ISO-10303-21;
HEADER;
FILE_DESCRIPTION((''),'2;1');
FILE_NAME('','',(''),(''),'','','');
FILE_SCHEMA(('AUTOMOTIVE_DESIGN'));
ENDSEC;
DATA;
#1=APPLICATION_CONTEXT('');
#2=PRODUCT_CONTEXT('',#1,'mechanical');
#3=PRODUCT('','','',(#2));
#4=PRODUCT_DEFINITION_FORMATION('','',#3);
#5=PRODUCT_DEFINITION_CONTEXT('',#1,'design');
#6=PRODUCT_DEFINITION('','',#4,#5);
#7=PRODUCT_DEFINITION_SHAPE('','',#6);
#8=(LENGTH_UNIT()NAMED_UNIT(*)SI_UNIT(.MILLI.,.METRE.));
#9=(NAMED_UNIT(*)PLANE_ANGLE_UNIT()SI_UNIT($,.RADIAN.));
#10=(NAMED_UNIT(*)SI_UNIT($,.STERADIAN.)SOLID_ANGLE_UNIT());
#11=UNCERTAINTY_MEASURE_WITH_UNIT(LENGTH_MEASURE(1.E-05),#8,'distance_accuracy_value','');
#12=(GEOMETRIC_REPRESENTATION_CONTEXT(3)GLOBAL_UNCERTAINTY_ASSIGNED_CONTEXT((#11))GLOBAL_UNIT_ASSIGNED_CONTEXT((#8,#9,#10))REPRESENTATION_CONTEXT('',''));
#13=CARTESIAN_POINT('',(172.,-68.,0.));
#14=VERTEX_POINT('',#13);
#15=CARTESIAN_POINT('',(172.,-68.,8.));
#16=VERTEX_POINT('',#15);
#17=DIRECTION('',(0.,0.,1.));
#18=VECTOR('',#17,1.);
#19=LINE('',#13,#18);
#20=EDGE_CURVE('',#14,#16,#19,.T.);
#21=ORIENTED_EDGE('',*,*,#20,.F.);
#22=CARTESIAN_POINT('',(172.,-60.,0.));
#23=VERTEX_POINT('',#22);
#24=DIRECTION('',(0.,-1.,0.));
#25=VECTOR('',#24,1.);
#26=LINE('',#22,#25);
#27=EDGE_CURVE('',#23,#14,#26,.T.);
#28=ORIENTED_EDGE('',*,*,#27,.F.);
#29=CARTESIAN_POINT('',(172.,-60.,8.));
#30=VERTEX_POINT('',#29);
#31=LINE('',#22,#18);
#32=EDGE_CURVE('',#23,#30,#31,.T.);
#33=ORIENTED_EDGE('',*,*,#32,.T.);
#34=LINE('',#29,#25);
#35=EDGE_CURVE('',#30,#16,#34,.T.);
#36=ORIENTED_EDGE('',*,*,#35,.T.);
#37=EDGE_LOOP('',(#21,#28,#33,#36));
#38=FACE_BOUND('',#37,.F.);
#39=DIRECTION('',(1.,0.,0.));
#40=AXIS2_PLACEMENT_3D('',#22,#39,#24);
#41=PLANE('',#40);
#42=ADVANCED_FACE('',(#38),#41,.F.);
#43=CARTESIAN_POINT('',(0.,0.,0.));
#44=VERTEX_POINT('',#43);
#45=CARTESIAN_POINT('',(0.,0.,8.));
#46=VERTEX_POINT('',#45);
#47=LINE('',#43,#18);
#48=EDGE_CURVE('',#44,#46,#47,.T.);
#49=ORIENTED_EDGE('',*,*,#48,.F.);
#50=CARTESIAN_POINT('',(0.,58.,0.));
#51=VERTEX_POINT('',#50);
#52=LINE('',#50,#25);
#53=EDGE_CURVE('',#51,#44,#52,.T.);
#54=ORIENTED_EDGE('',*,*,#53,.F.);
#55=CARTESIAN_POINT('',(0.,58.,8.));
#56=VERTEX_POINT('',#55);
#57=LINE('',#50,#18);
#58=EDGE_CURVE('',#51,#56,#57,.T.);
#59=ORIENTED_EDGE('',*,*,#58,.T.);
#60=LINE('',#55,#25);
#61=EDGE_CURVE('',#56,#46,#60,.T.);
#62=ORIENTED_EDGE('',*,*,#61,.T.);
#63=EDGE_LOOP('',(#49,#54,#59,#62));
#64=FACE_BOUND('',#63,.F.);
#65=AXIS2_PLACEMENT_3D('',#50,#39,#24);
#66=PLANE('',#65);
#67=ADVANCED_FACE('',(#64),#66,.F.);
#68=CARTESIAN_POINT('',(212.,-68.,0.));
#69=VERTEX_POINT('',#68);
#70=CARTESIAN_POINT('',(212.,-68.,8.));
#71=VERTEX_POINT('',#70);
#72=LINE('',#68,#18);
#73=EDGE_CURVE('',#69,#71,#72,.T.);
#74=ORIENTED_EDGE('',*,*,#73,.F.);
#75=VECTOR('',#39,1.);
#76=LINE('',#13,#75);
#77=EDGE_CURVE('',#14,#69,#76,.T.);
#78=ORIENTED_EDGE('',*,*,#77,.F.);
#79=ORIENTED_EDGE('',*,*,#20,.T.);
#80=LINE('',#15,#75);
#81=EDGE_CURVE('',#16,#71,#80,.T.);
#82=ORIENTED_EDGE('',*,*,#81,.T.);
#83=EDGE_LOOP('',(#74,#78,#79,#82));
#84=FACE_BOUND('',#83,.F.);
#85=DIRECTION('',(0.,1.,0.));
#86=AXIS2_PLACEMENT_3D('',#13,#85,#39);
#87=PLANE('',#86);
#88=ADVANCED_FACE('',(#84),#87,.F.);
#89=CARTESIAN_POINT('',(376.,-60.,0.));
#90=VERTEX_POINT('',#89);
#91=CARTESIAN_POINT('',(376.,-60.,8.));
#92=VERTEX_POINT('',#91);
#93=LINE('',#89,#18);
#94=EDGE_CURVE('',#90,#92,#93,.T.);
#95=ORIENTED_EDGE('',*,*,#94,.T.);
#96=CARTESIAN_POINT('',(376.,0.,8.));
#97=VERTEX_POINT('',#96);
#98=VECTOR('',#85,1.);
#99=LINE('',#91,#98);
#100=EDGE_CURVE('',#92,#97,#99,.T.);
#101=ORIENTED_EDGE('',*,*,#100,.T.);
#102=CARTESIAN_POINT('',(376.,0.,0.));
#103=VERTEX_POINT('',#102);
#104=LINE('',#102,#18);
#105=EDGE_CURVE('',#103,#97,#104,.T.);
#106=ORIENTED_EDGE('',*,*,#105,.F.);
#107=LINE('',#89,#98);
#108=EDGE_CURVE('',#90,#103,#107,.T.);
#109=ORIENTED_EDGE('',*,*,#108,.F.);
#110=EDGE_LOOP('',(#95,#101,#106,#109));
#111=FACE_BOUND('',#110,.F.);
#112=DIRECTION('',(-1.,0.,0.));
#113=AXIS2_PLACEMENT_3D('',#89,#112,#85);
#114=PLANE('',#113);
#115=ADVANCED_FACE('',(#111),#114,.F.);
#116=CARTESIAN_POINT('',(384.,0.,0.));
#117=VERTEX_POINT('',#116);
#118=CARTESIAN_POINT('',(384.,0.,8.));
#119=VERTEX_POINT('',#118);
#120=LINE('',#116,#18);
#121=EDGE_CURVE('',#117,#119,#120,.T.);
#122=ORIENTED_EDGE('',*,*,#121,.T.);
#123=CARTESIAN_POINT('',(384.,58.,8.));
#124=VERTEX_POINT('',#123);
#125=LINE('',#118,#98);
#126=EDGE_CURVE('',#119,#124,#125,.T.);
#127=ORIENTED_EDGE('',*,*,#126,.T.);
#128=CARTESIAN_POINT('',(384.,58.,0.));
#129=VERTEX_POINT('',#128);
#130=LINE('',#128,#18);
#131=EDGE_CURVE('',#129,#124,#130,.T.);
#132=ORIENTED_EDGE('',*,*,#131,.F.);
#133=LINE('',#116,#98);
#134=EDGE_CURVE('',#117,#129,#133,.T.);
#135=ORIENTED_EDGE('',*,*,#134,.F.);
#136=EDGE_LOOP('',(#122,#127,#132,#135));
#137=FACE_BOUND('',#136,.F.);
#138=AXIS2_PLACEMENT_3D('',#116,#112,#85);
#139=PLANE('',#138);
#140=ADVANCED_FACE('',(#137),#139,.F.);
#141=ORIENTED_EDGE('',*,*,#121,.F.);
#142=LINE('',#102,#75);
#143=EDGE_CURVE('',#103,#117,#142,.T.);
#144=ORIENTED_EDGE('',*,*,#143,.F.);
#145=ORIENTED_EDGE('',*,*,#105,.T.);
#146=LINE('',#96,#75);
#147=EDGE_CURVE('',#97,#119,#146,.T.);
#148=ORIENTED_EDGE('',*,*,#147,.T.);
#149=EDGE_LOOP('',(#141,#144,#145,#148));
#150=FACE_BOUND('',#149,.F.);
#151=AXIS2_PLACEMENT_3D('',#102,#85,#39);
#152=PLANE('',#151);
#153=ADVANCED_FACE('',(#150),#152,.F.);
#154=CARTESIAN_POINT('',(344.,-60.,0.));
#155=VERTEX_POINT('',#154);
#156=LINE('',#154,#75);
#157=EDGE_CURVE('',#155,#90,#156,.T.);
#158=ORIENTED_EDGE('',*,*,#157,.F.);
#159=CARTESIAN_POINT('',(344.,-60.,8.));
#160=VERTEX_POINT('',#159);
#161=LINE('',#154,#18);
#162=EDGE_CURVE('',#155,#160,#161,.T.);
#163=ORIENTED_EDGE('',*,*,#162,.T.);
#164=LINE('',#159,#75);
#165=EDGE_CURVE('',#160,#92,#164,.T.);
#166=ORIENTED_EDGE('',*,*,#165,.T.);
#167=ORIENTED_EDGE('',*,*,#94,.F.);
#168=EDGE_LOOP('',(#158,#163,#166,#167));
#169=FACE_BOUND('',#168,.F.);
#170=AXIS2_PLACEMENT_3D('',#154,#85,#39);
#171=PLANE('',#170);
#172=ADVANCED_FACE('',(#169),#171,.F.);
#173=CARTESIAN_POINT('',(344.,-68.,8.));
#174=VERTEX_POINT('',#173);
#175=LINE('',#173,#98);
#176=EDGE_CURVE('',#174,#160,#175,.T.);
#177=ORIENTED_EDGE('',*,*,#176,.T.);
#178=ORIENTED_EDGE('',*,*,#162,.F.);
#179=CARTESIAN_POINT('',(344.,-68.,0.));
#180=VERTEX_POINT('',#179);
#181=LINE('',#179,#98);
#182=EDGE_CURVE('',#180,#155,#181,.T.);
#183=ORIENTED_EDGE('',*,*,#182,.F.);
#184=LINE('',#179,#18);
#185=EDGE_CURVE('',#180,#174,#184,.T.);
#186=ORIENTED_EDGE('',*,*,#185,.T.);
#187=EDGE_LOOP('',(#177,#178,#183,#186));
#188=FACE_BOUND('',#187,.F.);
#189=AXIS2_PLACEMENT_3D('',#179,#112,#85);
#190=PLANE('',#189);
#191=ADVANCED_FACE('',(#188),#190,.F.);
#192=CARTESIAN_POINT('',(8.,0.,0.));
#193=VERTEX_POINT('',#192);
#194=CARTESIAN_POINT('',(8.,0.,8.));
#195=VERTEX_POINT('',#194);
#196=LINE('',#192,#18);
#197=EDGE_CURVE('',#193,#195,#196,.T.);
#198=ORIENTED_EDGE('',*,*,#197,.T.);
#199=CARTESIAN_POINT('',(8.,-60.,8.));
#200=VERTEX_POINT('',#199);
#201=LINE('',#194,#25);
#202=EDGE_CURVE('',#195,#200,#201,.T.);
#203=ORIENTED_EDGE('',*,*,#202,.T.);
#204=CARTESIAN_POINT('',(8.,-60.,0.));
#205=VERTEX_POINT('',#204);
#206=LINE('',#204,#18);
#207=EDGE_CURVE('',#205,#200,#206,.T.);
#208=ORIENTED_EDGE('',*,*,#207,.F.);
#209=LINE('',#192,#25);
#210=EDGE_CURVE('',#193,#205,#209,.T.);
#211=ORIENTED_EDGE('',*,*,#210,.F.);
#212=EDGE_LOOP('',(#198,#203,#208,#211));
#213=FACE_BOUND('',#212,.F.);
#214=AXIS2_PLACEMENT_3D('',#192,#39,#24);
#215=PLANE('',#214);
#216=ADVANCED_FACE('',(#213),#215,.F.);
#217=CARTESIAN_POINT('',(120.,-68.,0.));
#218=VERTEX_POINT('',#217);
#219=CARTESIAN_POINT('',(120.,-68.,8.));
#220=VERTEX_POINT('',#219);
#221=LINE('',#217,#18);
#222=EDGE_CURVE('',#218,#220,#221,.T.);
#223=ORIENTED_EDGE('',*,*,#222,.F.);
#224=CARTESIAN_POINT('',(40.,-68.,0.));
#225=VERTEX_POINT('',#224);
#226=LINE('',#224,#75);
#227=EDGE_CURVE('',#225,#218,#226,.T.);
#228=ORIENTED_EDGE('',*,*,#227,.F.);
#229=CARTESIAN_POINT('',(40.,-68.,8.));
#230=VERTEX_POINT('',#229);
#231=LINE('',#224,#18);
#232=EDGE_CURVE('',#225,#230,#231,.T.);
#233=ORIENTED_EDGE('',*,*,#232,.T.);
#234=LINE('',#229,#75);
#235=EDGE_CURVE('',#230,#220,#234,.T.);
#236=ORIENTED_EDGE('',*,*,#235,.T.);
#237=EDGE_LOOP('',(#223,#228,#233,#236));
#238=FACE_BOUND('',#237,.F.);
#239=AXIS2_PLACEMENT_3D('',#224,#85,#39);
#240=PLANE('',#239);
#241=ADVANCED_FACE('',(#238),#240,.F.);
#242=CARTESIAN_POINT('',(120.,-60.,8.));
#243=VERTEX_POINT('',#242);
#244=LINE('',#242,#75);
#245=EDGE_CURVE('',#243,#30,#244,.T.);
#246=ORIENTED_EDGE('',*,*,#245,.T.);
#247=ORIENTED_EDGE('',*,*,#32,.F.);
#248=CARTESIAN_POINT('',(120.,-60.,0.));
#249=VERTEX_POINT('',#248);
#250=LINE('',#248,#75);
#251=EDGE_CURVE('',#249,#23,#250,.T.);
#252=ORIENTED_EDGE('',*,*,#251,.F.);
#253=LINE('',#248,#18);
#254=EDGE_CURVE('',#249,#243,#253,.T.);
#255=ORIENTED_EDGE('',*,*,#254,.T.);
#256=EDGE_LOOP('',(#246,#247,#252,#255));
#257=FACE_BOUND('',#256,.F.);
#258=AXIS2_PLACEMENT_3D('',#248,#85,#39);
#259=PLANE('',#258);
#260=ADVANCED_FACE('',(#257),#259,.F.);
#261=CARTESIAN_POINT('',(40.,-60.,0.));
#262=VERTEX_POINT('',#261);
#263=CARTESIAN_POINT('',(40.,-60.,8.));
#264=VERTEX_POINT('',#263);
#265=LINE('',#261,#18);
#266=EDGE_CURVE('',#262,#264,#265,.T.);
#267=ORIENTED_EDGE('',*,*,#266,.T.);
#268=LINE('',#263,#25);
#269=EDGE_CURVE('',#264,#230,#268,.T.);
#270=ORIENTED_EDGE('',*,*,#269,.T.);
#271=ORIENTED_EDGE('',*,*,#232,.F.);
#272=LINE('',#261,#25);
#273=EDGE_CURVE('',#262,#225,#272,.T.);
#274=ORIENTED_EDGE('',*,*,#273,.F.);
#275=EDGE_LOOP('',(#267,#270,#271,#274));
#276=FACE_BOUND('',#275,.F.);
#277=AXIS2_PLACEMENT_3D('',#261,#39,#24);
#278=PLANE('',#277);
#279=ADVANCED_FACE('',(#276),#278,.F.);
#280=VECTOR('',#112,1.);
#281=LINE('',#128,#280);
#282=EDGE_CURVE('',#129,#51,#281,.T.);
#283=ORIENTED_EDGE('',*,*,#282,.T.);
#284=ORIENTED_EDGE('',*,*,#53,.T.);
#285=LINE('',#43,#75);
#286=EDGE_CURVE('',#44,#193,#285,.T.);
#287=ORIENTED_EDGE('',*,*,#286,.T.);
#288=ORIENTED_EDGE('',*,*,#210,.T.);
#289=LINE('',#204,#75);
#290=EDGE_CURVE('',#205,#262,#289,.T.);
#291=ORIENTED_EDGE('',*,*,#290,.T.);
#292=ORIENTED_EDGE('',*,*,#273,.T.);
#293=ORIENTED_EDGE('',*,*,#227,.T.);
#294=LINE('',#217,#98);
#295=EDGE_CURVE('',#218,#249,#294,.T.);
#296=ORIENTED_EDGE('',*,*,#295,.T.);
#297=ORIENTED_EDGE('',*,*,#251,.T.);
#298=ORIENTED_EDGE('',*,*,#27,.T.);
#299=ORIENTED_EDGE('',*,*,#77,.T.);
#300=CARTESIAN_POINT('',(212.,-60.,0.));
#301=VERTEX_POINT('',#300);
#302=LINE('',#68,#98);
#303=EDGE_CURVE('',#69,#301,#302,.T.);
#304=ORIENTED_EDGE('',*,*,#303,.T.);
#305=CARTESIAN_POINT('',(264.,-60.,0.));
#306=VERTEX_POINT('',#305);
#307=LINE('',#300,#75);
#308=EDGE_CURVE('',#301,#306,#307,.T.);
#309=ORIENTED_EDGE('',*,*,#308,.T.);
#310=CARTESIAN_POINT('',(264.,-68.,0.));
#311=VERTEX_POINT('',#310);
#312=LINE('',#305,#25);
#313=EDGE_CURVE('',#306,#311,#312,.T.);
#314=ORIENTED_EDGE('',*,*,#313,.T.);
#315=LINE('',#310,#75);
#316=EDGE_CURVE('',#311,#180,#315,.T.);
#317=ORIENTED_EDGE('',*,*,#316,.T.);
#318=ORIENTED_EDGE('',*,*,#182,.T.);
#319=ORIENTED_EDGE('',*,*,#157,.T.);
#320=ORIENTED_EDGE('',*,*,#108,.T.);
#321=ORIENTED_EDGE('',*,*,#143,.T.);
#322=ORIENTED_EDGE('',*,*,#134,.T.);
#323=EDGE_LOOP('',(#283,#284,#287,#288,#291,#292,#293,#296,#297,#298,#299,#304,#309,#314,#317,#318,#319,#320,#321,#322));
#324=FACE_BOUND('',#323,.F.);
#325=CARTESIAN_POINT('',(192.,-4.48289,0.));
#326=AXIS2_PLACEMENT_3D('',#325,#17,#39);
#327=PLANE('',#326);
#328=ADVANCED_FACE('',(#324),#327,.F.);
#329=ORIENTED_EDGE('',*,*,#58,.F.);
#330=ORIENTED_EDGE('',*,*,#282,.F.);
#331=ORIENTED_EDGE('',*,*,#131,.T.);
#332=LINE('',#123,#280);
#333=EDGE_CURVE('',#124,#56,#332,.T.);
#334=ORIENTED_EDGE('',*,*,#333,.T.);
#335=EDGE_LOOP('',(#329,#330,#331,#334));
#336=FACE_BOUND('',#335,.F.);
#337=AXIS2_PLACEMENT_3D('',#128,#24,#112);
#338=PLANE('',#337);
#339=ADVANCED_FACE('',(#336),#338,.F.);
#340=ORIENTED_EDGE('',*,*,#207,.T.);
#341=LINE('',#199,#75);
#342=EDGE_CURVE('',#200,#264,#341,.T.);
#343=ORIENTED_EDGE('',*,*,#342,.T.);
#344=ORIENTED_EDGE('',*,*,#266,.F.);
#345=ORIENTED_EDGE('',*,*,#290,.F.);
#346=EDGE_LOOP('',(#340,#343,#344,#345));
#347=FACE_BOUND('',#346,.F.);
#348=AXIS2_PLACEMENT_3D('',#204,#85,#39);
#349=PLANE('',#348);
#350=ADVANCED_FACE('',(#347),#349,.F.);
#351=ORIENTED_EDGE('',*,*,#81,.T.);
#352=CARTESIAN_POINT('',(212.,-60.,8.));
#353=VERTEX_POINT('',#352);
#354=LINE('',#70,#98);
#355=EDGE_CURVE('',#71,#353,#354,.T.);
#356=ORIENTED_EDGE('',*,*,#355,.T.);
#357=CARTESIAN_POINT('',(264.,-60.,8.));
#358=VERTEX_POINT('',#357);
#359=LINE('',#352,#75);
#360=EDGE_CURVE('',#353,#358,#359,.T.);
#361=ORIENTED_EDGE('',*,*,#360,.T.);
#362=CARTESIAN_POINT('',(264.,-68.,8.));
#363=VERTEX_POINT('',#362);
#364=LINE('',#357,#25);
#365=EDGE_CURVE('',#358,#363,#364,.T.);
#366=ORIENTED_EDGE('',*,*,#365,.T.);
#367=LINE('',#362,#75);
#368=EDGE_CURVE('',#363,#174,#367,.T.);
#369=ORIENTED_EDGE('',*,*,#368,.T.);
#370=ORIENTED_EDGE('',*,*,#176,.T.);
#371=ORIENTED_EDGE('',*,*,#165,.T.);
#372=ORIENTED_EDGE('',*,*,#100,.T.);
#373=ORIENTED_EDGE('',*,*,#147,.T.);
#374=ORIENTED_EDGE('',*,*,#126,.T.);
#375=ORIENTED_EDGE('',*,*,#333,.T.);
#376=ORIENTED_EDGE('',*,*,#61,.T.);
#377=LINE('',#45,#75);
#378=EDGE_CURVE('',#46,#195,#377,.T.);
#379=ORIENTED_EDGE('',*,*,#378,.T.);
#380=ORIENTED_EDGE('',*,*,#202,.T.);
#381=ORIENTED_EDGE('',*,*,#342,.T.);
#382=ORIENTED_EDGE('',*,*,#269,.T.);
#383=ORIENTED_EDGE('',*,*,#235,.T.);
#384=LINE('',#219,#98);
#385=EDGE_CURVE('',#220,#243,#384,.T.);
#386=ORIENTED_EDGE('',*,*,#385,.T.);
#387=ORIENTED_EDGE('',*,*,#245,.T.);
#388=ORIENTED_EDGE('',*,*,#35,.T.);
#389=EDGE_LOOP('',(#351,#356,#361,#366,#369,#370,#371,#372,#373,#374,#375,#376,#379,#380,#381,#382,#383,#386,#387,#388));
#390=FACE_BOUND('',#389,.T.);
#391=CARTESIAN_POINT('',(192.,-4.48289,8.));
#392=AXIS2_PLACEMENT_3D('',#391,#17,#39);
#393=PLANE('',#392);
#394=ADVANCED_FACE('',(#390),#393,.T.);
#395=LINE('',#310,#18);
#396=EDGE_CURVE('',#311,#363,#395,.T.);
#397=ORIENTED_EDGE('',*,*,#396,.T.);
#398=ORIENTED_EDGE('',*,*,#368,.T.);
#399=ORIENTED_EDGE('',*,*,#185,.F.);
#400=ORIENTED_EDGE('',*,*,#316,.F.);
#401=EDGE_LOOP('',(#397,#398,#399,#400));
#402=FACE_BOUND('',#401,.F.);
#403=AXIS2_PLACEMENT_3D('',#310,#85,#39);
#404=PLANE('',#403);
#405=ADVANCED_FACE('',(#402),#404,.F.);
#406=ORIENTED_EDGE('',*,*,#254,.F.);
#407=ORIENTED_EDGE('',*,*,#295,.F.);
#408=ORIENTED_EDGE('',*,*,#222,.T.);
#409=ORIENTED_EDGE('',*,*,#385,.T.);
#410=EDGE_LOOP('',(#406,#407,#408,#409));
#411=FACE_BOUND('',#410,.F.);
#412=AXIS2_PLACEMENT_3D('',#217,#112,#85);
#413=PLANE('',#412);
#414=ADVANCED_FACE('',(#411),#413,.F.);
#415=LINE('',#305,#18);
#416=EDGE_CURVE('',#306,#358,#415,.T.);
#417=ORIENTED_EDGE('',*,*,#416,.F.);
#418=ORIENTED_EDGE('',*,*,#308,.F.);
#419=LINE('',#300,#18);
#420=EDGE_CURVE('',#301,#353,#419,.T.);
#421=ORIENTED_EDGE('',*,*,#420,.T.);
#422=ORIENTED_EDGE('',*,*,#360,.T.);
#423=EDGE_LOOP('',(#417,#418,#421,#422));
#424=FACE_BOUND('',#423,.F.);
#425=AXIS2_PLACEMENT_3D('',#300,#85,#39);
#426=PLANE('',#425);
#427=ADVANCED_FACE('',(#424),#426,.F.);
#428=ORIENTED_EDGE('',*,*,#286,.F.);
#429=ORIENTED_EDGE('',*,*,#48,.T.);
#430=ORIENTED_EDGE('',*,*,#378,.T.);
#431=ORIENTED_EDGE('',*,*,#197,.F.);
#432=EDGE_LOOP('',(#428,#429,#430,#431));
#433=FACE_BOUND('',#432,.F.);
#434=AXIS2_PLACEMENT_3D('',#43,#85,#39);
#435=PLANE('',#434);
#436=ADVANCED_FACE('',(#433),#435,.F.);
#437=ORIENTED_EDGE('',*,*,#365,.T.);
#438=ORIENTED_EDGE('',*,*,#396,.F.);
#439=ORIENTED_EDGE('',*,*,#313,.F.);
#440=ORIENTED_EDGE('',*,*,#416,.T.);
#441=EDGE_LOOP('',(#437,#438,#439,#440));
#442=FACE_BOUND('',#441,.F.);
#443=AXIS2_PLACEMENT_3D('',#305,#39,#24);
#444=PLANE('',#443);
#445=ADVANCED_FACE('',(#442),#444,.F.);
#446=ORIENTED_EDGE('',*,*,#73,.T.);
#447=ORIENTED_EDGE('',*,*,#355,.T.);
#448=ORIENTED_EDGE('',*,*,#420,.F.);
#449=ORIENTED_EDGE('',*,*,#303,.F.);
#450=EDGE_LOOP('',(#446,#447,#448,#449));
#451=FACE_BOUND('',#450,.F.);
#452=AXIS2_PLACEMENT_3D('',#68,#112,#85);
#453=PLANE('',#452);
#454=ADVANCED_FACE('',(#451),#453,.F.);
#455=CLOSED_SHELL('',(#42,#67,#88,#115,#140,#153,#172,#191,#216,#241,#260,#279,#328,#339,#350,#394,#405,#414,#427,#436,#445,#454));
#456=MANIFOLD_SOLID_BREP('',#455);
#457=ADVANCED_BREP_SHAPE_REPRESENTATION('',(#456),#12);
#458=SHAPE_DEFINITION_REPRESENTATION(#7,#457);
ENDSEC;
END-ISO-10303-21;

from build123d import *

# Parameters (mm, degrees)
F1_DEPTH = 8


with BuildPart() as f1:
    # F0 (on Top) → F1 (new body)
    with BuildSketch(Plane.XY):
        Polygon((0, 58), (0, 0), (8, 0), (8, -60), (40, -60), (40, -68), (120, -68), (120, -60), (172, -60), (172, -68), (212, -68), (212, -60), (264, -60), (264, -68), (344, -68), (344, -60), (376, -60), (376, 0), (384, 0), (384, 58), align=None)
    extrude(amount=F1_DEPTH)


solid = f1.part
